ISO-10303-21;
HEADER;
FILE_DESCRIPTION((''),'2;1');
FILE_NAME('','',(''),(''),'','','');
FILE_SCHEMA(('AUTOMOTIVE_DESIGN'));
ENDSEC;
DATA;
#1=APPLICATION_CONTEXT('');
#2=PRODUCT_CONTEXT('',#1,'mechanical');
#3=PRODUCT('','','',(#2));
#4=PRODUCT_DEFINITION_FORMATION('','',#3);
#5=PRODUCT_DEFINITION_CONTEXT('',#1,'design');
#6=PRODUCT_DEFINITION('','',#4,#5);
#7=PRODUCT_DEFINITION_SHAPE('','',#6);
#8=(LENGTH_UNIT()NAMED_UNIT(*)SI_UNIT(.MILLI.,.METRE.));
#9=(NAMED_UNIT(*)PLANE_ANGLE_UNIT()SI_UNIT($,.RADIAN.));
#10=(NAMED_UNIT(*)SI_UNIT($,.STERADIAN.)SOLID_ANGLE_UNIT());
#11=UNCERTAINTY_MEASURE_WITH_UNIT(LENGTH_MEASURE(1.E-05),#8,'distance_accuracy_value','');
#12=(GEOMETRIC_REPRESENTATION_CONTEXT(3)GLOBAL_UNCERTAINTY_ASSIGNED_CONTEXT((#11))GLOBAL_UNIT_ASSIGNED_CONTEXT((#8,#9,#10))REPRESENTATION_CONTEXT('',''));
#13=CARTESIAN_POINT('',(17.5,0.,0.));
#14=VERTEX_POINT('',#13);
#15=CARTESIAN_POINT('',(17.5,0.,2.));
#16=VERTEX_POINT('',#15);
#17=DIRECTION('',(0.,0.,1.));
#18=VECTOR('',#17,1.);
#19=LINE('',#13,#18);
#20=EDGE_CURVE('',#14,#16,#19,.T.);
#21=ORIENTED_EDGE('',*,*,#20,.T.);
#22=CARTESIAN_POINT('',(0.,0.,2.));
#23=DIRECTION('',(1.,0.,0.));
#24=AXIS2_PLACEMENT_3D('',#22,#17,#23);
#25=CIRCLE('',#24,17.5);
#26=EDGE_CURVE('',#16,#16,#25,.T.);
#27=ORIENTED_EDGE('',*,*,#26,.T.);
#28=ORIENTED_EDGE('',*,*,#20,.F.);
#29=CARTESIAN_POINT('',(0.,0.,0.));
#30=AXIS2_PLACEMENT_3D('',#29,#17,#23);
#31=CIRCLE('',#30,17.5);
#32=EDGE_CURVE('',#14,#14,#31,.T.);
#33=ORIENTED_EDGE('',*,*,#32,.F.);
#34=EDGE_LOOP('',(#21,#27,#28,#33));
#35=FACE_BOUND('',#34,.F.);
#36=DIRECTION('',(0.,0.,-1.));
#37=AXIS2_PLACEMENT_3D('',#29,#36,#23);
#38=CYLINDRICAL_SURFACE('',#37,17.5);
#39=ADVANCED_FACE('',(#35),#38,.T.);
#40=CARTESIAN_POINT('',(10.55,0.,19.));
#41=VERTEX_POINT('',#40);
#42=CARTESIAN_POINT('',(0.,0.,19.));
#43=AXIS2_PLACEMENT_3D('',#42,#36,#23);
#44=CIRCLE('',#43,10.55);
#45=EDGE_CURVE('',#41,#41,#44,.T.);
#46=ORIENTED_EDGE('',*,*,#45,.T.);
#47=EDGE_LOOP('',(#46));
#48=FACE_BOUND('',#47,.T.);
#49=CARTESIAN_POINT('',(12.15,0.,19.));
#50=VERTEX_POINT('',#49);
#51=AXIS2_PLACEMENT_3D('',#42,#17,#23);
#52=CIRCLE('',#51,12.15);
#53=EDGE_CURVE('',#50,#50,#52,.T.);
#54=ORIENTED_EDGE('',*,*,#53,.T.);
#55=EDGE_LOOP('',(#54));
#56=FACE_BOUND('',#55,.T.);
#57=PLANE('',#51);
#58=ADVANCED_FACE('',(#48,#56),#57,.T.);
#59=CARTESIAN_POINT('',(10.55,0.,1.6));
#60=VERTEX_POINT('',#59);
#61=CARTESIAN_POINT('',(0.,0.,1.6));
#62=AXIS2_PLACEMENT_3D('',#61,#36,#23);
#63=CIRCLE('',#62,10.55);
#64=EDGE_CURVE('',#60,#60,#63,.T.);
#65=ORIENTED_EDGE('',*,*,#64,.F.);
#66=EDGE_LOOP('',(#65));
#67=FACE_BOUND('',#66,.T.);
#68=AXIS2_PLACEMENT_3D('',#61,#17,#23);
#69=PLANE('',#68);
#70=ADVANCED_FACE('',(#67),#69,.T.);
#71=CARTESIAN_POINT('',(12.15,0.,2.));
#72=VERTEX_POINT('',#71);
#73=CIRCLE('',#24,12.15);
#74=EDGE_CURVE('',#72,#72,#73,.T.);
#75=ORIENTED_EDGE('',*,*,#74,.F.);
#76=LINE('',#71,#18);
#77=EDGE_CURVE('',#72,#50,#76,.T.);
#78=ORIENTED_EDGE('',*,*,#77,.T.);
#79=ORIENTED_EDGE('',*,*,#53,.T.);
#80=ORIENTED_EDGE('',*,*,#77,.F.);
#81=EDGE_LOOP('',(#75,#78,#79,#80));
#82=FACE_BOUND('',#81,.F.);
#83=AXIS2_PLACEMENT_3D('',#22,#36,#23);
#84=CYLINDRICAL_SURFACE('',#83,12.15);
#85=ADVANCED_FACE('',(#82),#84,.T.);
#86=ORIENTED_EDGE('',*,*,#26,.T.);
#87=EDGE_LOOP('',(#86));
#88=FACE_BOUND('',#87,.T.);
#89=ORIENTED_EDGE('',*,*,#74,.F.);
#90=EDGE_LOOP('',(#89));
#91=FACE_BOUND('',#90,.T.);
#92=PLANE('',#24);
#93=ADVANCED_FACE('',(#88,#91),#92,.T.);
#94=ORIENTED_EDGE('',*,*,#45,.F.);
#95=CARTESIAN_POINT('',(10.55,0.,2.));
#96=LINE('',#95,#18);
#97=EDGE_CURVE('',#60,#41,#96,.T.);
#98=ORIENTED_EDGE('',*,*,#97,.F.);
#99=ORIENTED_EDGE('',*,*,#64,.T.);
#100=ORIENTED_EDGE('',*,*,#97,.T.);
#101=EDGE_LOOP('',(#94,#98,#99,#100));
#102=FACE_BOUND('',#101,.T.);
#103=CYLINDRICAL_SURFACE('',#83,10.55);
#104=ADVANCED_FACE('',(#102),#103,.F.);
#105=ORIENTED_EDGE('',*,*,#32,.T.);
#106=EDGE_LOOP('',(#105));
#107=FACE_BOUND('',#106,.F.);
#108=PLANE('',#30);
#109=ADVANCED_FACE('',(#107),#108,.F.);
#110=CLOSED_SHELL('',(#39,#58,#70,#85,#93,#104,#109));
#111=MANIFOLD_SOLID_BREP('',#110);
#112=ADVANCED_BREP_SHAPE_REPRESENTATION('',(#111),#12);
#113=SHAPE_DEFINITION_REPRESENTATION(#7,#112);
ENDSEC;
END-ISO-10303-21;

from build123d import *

# Parameters (mm, degrees)
F0_R     = 17.5
F1_DEPTH = 2
F2_R     = 12.15
F3_DEPTH = 17
F4_T     = -1.6


with BuildPart() as f1:
    # F0 (on Top) → F1 (new body)
    with BuildSketch(Plane.XY):
        Circle(F0_R)
    extrude(amount=F1_DEPTH)

    # F2 (on face) → F3 (join)
    with BuildSketch(Plane.XY.offset(2)):
        Circle(F2_R)
    extrude(amount=F3_DEPTH)

    # F4
    f4_openings = [f1.faces().sort_by_distance(p)[0] for p in [
        (0, 0, 19),
    ]]
    offset(amount=F4_T, openings=f4_openings, kind=Kind.INTERSECTION)


solid = f1.part
